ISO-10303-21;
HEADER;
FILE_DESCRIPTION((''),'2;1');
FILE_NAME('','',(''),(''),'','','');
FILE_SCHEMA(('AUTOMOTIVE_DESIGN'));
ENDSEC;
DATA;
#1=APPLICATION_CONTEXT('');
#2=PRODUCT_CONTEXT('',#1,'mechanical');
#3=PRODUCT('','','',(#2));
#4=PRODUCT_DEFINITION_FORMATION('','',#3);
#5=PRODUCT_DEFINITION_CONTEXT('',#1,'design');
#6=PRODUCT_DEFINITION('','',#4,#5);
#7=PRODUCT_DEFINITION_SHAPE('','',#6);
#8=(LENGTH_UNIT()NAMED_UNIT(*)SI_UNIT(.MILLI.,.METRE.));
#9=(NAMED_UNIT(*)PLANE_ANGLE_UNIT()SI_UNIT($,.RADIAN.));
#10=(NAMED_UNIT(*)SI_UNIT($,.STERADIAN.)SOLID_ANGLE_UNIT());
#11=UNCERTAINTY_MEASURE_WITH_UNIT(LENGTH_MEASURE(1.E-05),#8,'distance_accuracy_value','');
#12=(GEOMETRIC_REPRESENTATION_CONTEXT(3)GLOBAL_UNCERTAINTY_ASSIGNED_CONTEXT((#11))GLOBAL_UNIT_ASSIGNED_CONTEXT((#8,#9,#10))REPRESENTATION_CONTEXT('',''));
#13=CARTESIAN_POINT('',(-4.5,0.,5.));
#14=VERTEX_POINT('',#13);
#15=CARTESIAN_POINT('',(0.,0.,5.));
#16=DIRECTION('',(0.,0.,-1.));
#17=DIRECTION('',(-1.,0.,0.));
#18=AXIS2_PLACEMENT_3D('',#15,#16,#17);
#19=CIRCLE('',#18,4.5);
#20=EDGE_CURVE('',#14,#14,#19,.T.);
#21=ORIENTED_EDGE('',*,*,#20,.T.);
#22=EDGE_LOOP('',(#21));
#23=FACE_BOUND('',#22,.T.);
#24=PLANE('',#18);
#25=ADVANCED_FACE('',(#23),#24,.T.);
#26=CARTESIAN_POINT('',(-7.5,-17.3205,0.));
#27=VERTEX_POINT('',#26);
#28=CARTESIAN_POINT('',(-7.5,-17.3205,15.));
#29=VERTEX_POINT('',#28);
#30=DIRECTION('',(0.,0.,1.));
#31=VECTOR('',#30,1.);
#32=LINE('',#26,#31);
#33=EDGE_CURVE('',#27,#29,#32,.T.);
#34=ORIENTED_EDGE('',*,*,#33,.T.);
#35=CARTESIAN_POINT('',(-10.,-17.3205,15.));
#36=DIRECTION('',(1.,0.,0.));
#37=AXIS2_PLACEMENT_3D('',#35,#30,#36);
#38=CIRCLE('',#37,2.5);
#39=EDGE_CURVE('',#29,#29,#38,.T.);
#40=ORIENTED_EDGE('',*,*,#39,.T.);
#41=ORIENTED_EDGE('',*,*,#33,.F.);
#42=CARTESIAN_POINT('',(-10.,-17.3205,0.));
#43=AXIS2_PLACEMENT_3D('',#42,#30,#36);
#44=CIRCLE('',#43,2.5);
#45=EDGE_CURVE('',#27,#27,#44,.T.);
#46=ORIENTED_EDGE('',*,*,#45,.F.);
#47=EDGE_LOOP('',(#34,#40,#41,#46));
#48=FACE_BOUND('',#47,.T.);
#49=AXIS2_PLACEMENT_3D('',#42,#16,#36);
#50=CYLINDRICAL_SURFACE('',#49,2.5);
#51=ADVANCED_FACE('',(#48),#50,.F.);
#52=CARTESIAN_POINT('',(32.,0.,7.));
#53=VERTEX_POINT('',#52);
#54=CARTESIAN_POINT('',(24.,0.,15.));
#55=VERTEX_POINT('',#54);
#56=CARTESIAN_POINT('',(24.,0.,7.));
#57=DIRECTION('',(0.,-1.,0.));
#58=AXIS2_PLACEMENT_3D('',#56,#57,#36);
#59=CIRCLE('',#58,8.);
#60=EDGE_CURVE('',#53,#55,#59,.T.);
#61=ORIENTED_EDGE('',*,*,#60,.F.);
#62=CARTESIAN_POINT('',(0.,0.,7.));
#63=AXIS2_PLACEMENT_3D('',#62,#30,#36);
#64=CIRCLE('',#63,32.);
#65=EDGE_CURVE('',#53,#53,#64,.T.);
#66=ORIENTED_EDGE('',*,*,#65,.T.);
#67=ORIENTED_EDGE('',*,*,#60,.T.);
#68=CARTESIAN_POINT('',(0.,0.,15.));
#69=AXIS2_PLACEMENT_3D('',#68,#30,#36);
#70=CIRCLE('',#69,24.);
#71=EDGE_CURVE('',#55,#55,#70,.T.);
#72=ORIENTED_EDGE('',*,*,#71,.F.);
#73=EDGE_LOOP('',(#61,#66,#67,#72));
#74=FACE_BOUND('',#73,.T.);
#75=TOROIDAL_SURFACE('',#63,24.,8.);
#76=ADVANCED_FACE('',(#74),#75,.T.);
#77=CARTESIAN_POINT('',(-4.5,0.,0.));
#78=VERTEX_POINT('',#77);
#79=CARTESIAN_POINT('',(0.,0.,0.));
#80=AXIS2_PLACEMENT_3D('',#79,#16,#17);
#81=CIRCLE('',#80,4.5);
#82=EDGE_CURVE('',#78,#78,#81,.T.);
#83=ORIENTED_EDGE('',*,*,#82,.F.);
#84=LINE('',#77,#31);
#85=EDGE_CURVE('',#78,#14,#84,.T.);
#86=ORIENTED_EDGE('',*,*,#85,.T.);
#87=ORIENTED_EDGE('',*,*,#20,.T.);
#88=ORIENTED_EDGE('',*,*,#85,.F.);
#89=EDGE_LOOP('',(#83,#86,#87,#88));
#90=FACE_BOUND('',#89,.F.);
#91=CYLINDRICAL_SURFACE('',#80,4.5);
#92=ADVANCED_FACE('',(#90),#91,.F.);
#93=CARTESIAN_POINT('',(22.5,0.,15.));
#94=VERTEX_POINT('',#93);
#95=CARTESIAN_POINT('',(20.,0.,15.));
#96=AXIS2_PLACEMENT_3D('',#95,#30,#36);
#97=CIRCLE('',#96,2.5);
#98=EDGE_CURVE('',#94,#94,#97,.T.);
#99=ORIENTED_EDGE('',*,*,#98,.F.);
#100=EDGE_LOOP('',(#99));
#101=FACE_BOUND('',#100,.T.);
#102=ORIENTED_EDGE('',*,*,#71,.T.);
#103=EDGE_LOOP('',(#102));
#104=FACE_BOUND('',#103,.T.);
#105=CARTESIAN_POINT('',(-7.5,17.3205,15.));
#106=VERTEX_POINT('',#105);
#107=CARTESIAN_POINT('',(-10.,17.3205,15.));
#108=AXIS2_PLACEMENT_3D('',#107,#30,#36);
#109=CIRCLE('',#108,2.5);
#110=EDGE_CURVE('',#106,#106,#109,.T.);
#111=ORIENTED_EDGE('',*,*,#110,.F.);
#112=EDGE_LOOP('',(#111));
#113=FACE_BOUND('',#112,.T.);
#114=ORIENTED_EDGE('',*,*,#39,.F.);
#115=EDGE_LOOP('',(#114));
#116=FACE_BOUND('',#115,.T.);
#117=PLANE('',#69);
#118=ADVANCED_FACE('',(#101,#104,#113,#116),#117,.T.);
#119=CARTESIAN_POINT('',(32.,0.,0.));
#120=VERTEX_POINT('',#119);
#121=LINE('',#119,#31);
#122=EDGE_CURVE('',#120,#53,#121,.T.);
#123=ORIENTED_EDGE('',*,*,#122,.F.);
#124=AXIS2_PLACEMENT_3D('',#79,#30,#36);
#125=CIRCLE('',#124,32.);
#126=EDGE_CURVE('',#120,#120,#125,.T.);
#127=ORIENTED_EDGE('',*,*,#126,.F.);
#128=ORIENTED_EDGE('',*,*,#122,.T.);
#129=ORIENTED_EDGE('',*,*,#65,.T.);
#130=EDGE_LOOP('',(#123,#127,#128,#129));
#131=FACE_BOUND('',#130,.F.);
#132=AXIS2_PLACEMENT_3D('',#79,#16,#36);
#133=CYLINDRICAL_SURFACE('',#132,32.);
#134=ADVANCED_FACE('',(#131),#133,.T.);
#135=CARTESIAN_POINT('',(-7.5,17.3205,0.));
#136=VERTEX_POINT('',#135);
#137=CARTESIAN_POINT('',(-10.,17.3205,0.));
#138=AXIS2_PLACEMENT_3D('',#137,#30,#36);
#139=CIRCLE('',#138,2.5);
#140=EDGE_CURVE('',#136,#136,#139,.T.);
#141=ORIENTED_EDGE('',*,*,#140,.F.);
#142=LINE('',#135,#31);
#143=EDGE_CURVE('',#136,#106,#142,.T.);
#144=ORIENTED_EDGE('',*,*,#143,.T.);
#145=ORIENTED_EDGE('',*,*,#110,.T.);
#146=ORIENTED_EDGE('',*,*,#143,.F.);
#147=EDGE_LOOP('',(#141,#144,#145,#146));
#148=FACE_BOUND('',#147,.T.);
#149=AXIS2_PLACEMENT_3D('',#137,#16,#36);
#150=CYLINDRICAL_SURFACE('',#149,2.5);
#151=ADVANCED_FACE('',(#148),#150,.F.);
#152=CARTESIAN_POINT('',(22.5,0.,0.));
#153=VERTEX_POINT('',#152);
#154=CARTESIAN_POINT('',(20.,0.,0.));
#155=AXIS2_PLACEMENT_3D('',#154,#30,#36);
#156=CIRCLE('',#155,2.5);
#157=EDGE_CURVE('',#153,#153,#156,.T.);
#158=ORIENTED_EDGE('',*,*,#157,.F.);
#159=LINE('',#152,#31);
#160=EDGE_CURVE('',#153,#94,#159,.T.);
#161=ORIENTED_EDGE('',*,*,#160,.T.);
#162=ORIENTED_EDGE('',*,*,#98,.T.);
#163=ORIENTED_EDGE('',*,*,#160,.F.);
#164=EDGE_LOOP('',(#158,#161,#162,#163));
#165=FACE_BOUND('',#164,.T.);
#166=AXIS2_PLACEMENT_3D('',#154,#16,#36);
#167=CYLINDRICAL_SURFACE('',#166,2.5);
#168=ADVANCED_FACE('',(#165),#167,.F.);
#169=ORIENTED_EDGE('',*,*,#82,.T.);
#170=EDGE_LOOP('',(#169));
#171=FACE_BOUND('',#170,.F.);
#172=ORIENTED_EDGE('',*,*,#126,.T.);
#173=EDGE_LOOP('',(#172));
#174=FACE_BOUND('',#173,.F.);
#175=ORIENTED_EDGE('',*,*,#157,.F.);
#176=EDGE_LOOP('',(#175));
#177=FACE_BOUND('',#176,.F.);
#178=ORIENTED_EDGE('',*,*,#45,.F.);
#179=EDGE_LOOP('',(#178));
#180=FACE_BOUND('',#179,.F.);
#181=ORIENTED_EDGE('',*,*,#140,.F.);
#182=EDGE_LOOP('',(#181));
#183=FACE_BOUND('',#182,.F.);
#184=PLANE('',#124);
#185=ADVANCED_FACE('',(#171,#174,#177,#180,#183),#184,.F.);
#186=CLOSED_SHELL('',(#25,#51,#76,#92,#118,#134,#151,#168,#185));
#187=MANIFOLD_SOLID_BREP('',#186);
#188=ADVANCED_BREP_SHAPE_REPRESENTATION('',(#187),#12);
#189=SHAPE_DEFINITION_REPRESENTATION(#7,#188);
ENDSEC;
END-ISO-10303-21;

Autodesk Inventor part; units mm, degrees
ref_plane "YZ Plane" through (0, 0, 0) normal (1, 0, 0) x (0, 1, 0)
ref_plane "XZ Plane" through (0, 0, 0) normal (0, 1, 0) x (-1, 0, 0)
ref_plane "XY Plane" through (0, 0, 0) normal (0, 0, 1) x (1, 0, 0)
sketch "Sketch1" plane through (0, 0, 0) normal (0, 0, 1) x (1, 0, 0)
  circle A0 centre (0, 0) radius 32
  circle A1 centre (20, 0) radius 2.5
  circle A2 centre (-10, 17.3205) radius 2.5
  circle A3 centre (-10, -17.3205) radius 2.5
  dimension "d0" = 64
  dimension "d1" = 5
  dimension "d2" = 20
  dimension "d5" = 360
extrude "Extrusion1" add sketch "Sketch1" along normal blind 15
sketch "Sketch2" plane through (0, 0, 0) normal (0, 0, -1) x (-1, 0, 0)
  circle A0 centre (0, 0) radius 4.5
  dimension "d9" = 9
extrude "Extrusion2" cut sketch "Sketch2" against normal blind 5
fillet "Fillet1" radius 8 1 edges at (-32, 0, 15)
properties part number "AA013" material "ABS Plastic"
